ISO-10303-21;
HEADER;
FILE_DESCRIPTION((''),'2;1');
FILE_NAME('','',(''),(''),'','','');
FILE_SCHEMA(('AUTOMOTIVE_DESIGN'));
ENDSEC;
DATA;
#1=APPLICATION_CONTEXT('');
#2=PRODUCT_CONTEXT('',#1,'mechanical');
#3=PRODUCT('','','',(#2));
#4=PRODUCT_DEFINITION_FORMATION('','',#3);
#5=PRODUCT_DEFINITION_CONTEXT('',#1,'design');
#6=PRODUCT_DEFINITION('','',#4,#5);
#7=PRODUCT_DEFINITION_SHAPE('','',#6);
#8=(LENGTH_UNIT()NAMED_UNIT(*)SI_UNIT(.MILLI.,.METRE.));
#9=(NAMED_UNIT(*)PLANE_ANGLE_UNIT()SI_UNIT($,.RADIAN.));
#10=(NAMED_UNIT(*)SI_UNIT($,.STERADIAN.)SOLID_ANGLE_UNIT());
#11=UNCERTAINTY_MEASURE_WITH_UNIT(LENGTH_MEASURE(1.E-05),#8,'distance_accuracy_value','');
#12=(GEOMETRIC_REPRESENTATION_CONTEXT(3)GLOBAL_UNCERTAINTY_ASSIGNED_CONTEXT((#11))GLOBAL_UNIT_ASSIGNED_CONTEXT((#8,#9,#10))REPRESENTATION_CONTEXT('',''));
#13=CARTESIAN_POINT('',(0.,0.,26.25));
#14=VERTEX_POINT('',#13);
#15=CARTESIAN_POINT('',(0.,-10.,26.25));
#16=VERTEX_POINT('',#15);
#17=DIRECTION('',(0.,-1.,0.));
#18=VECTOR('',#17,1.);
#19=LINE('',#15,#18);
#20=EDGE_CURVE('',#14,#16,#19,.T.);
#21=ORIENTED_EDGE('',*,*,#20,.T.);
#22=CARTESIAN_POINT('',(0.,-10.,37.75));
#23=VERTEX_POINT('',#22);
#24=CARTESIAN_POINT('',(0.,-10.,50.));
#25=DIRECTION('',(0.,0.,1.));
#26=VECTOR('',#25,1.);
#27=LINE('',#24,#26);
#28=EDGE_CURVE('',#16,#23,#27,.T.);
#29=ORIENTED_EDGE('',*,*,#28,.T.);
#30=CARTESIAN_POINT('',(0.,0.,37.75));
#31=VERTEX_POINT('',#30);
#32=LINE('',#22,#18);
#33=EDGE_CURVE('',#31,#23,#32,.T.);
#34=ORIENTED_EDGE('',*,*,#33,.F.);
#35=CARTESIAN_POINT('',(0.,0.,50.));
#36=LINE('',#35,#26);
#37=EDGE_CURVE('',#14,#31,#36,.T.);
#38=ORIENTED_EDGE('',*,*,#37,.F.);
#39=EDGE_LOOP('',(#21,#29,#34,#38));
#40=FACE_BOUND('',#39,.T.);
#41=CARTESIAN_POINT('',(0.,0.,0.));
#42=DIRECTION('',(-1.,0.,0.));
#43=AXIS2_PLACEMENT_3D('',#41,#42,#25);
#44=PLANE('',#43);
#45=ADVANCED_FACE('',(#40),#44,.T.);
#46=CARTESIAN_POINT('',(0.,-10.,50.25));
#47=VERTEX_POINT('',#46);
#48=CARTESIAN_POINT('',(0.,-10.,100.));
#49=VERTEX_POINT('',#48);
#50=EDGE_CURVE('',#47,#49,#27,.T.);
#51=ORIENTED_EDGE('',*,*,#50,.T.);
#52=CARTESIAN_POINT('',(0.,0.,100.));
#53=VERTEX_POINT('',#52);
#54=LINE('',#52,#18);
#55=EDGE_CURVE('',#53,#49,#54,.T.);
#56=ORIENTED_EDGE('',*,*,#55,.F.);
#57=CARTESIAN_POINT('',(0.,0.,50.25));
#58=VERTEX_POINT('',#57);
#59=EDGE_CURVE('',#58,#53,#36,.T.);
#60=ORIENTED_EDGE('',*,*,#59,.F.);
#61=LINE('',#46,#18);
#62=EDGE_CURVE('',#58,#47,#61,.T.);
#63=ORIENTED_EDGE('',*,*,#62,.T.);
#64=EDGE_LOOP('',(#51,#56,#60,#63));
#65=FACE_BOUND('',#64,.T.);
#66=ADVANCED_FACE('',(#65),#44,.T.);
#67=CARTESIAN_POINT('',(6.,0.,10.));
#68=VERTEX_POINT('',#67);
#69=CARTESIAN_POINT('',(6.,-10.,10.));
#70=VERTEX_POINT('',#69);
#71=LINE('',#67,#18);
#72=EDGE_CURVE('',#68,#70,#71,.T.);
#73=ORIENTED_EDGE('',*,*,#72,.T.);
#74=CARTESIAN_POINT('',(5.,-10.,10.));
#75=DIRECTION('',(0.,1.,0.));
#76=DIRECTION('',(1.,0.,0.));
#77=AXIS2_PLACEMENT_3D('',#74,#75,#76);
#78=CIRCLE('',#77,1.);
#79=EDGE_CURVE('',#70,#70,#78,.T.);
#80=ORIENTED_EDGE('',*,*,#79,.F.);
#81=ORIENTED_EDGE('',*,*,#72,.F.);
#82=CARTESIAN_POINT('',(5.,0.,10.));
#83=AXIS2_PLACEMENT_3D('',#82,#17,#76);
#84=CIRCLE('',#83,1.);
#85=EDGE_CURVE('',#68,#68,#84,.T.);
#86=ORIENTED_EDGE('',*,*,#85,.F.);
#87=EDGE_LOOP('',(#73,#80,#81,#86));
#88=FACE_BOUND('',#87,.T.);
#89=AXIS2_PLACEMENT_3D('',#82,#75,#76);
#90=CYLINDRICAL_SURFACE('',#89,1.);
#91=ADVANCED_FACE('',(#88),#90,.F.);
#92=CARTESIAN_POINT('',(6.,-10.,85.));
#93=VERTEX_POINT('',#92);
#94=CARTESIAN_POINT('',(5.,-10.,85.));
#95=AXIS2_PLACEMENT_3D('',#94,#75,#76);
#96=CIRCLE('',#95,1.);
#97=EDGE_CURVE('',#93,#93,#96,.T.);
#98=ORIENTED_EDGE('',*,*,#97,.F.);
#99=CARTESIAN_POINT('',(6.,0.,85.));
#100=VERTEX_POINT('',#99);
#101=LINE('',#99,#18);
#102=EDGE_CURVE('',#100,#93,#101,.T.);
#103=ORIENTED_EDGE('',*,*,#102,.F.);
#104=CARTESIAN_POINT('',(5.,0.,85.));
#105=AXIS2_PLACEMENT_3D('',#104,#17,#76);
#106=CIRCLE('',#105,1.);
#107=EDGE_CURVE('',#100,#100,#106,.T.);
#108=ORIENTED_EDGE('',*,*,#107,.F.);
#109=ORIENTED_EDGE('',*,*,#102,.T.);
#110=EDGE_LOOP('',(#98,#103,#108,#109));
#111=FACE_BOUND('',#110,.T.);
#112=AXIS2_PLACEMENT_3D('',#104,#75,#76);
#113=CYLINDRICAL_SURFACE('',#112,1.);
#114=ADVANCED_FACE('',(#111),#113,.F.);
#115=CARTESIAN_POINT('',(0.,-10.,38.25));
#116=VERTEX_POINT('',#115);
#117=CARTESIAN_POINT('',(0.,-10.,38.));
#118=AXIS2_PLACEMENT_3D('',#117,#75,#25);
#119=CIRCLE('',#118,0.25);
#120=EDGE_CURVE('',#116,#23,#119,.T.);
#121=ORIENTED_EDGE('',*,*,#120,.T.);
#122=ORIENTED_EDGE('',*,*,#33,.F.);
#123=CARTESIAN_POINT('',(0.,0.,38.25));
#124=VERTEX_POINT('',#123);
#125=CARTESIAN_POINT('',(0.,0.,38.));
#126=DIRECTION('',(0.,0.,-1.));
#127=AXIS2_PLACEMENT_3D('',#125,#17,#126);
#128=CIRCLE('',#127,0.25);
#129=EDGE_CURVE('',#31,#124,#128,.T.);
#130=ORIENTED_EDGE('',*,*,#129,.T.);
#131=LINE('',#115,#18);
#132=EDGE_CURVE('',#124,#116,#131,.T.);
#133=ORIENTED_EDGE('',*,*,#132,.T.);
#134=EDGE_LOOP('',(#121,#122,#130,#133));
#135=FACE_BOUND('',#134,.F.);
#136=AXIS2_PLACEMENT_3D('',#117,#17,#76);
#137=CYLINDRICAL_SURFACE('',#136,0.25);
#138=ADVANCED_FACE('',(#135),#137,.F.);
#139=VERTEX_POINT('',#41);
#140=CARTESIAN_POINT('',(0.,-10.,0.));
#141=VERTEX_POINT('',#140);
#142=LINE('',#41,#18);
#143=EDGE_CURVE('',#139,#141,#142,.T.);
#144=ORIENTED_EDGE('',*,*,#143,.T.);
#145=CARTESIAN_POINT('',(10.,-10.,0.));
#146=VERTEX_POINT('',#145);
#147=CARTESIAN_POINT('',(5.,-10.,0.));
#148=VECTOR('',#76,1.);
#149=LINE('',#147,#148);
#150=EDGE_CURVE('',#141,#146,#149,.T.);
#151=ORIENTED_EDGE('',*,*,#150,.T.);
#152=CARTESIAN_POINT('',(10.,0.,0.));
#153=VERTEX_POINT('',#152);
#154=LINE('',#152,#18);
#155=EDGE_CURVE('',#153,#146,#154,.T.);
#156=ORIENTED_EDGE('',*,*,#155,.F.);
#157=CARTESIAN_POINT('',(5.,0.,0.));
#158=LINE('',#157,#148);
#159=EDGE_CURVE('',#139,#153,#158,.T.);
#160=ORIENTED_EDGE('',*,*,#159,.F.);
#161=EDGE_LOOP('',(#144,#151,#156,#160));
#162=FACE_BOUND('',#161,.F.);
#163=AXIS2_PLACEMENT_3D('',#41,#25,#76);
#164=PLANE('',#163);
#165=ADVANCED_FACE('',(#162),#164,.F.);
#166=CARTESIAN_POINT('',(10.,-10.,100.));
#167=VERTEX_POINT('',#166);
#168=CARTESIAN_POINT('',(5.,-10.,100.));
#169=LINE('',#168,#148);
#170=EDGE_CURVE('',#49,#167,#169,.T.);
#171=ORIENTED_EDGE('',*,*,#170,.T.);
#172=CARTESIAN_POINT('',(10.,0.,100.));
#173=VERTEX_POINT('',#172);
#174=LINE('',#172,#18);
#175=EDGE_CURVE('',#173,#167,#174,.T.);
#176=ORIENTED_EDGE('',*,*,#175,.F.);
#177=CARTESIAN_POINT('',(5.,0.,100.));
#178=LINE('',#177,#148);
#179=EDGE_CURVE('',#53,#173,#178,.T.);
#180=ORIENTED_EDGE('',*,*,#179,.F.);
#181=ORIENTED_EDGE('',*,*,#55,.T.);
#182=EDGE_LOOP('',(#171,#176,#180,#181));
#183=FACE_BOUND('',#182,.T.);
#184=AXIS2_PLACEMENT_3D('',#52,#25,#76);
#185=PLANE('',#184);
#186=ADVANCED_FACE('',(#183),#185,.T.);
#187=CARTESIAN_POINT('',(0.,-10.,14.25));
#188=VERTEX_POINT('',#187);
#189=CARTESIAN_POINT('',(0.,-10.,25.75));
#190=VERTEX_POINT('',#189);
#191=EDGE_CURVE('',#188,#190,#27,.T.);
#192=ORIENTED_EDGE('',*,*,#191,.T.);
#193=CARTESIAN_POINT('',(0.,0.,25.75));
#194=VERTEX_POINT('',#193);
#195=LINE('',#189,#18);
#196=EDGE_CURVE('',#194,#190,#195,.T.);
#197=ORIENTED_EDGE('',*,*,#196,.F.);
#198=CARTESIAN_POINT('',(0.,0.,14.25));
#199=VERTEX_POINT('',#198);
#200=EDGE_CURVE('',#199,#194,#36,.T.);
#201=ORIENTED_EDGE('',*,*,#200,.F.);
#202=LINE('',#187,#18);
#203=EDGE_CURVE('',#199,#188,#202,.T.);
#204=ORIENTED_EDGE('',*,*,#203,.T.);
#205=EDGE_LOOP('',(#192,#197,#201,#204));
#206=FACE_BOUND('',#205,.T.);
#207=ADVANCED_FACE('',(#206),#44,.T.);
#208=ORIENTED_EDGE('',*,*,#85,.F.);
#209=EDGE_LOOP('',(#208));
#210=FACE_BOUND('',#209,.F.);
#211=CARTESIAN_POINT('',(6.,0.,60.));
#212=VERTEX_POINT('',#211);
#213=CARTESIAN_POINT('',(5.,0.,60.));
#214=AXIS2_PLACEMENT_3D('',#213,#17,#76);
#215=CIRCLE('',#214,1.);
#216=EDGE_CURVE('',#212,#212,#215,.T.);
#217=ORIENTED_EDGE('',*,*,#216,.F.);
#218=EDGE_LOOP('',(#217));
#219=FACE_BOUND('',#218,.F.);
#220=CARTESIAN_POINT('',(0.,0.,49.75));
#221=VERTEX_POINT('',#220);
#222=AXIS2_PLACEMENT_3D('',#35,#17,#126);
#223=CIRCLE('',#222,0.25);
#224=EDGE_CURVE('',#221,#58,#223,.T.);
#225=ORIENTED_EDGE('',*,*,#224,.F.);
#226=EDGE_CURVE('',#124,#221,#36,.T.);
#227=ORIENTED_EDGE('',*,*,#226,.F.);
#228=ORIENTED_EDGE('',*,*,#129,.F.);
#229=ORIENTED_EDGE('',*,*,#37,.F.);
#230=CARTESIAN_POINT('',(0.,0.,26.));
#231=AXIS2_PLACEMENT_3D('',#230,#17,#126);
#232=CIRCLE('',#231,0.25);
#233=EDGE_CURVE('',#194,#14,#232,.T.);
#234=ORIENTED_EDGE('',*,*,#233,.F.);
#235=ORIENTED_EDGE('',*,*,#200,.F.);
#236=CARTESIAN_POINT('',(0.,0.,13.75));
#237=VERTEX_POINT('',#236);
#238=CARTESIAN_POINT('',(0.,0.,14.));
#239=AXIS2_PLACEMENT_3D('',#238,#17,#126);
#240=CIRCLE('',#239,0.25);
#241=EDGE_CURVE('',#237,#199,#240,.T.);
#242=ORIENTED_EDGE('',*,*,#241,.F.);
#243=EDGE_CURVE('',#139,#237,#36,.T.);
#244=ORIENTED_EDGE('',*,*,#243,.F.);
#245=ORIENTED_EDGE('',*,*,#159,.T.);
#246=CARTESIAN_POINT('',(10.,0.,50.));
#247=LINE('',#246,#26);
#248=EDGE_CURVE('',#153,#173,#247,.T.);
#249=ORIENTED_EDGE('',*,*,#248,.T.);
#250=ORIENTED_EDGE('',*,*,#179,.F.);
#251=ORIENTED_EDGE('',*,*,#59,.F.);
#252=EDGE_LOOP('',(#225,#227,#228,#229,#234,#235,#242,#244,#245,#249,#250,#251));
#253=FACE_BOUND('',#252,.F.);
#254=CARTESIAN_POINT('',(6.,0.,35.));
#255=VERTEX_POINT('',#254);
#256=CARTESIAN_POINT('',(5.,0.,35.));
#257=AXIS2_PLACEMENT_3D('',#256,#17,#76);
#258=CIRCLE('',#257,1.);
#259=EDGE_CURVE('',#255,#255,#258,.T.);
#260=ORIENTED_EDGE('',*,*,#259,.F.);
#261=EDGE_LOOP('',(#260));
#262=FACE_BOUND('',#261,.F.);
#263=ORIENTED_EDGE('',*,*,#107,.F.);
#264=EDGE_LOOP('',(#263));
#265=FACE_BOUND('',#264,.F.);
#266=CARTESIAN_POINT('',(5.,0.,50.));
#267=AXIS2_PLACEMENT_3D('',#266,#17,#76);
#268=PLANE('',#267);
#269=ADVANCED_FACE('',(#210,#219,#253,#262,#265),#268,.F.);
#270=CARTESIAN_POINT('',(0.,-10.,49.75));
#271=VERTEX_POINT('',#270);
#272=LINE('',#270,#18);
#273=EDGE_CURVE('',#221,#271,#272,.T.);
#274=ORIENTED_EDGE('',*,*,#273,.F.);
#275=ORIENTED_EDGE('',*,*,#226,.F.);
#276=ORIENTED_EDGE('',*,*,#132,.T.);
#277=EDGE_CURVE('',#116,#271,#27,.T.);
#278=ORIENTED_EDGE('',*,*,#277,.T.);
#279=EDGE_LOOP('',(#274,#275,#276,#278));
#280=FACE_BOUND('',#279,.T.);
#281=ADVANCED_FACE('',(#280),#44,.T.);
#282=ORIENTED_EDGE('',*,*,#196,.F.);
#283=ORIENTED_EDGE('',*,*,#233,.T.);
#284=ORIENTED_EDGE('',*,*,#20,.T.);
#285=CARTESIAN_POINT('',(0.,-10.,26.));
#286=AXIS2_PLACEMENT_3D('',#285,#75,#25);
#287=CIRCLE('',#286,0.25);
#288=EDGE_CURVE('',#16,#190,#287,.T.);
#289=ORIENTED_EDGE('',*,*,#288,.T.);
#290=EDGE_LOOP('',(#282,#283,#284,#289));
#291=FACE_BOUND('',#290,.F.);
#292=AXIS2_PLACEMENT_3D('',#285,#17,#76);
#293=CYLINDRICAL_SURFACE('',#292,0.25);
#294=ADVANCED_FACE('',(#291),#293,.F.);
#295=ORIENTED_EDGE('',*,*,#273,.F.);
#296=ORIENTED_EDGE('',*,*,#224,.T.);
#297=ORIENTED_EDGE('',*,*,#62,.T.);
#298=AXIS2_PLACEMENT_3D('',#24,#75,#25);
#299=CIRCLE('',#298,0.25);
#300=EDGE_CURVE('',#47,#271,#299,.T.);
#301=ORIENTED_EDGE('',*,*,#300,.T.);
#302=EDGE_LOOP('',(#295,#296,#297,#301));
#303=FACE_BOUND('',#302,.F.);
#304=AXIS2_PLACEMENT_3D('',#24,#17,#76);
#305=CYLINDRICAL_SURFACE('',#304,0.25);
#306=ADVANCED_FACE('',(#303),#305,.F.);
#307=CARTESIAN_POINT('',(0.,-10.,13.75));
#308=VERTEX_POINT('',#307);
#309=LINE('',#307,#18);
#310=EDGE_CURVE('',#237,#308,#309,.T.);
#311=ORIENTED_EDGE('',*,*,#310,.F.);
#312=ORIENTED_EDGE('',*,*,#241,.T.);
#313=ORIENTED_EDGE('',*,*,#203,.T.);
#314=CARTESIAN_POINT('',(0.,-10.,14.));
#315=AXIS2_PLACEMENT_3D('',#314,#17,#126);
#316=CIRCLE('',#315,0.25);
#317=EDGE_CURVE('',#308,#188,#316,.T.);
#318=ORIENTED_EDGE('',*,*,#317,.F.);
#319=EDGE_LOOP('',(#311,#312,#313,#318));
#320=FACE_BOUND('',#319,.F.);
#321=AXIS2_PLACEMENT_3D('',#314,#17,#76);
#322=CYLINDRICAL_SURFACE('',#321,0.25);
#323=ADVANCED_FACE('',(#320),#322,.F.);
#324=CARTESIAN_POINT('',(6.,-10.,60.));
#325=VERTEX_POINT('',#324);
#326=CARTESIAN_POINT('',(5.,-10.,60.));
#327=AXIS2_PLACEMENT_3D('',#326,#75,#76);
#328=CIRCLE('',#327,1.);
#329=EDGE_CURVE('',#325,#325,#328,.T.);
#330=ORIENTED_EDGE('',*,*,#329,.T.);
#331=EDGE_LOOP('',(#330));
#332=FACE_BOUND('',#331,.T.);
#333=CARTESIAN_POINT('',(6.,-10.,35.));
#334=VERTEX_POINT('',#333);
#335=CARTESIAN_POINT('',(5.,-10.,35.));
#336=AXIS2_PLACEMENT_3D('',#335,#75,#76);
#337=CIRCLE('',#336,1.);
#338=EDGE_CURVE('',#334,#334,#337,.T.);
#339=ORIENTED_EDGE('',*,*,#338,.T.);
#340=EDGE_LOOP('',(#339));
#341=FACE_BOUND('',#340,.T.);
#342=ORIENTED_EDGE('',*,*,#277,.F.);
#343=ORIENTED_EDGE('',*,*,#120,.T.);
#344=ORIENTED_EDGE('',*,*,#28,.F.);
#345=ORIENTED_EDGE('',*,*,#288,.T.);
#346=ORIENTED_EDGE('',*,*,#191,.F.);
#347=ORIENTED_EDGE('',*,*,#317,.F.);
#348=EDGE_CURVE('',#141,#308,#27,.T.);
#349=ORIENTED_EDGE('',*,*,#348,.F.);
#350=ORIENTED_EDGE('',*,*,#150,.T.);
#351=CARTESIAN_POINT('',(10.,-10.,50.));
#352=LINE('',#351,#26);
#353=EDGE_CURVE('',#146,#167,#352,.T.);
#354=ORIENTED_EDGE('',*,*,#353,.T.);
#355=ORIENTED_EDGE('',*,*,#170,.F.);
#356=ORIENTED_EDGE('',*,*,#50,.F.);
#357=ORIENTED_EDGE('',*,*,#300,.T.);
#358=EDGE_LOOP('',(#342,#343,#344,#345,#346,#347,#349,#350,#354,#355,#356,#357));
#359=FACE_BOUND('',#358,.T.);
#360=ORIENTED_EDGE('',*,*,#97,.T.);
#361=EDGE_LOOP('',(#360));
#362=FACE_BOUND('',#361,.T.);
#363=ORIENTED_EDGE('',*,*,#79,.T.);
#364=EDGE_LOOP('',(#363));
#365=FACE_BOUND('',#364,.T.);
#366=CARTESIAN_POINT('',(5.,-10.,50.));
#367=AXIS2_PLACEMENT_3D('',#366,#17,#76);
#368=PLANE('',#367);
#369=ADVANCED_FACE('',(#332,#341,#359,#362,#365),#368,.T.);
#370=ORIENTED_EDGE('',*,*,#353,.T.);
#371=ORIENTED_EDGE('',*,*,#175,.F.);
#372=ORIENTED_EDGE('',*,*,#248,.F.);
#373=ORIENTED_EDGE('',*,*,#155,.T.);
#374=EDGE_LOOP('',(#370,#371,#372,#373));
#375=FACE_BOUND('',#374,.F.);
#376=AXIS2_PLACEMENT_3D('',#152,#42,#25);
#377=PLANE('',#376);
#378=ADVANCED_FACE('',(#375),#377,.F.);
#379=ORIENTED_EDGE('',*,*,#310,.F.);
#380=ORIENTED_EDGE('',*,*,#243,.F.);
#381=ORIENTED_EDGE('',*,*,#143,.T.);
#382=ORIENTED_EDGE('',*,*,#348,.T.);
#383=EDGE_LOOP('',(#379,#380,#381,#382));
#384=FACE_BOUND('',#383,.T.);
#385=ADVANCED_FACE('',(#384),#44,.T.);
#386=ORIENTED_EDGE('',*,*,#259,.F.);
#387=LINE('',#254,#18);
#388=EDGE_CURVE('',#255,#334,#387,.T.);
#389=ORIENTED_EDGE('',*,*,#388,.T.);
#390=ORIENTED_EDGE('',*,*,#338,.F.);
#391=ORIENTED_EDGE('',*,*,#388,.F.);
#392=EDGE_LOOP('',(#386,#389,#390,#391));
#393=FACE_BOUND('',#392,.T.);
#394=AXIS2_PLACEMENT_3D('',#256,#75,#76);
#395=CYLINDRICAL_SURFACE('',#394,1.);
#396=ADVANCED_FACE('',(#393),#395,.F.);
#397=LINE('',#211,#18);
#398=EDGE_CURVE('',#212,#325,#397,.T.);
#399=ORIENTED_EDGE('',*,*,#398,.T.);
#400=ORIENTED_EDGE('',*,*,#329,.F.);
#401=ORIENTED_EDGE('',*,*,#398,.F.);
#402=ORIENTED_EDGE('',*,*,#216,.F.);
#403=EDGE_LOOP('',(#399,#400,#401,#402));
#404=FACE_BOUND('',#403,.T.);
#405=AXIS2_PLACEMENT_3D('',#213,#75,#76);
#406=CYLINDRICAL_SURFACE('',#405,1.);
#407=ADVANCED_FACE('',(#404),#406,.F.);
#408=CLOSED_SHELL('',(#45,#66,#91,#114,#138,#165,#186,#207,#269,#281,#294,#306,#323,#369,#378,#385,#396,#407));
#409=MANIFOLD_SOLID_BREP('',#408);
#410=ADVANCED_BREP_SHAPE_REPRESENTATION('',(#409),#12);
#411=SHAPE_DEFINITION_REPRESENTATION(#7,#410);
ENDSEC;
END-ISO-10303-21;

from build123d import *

# Parameters (mm, degrees)
F0_W     = 10
F0_H     = 100
F1_DEPTH = 10
F2_R     = 0.25
F3_DEPTH = 10.001
F4_R     = 1
F5_DEPTH = 10.001


with BuildPart() as f1:
    # F0 (on Front) → F1 (new body)
    with BuildSketch(Plane.XZ):
        with Locations((5, 50)):
            Rectangle(F0_W, F0_H)
    extrude(amount=F1_DEPTH)

    # F2 (on face) → F3 (cut, through all)
    with BuildSketch(Plane.XZ.offset(10)):
        with Locations((0, 50)):
            Circle(F2_R)
        with Locations((0, 38)):
            Circle(F2_R)
        with Locations((0, 26)):
            Circle(F2_R)
        with Locations((0, 14)):
            Circle(F2_R)
    extrude(amount=-F3_DEPTH, mode=Mode.SUBTRACT)

    # F4 (on Front) → F5 (cut, through all)
    with BuildSketch(Plane.XZ):
        with Locations((5, 85)):
            Circle(F4_R)
        with Locations((5, 60)):
            Circle(F4_R)
        with Locations((5, 35)):
            Circle(F4_R)
        with Locations((5, 10)):
            Circle(F4_R)
    extrude(amount=F5_DEPTH, mode=Mode.SUBTRACT)


solid = f1.part
